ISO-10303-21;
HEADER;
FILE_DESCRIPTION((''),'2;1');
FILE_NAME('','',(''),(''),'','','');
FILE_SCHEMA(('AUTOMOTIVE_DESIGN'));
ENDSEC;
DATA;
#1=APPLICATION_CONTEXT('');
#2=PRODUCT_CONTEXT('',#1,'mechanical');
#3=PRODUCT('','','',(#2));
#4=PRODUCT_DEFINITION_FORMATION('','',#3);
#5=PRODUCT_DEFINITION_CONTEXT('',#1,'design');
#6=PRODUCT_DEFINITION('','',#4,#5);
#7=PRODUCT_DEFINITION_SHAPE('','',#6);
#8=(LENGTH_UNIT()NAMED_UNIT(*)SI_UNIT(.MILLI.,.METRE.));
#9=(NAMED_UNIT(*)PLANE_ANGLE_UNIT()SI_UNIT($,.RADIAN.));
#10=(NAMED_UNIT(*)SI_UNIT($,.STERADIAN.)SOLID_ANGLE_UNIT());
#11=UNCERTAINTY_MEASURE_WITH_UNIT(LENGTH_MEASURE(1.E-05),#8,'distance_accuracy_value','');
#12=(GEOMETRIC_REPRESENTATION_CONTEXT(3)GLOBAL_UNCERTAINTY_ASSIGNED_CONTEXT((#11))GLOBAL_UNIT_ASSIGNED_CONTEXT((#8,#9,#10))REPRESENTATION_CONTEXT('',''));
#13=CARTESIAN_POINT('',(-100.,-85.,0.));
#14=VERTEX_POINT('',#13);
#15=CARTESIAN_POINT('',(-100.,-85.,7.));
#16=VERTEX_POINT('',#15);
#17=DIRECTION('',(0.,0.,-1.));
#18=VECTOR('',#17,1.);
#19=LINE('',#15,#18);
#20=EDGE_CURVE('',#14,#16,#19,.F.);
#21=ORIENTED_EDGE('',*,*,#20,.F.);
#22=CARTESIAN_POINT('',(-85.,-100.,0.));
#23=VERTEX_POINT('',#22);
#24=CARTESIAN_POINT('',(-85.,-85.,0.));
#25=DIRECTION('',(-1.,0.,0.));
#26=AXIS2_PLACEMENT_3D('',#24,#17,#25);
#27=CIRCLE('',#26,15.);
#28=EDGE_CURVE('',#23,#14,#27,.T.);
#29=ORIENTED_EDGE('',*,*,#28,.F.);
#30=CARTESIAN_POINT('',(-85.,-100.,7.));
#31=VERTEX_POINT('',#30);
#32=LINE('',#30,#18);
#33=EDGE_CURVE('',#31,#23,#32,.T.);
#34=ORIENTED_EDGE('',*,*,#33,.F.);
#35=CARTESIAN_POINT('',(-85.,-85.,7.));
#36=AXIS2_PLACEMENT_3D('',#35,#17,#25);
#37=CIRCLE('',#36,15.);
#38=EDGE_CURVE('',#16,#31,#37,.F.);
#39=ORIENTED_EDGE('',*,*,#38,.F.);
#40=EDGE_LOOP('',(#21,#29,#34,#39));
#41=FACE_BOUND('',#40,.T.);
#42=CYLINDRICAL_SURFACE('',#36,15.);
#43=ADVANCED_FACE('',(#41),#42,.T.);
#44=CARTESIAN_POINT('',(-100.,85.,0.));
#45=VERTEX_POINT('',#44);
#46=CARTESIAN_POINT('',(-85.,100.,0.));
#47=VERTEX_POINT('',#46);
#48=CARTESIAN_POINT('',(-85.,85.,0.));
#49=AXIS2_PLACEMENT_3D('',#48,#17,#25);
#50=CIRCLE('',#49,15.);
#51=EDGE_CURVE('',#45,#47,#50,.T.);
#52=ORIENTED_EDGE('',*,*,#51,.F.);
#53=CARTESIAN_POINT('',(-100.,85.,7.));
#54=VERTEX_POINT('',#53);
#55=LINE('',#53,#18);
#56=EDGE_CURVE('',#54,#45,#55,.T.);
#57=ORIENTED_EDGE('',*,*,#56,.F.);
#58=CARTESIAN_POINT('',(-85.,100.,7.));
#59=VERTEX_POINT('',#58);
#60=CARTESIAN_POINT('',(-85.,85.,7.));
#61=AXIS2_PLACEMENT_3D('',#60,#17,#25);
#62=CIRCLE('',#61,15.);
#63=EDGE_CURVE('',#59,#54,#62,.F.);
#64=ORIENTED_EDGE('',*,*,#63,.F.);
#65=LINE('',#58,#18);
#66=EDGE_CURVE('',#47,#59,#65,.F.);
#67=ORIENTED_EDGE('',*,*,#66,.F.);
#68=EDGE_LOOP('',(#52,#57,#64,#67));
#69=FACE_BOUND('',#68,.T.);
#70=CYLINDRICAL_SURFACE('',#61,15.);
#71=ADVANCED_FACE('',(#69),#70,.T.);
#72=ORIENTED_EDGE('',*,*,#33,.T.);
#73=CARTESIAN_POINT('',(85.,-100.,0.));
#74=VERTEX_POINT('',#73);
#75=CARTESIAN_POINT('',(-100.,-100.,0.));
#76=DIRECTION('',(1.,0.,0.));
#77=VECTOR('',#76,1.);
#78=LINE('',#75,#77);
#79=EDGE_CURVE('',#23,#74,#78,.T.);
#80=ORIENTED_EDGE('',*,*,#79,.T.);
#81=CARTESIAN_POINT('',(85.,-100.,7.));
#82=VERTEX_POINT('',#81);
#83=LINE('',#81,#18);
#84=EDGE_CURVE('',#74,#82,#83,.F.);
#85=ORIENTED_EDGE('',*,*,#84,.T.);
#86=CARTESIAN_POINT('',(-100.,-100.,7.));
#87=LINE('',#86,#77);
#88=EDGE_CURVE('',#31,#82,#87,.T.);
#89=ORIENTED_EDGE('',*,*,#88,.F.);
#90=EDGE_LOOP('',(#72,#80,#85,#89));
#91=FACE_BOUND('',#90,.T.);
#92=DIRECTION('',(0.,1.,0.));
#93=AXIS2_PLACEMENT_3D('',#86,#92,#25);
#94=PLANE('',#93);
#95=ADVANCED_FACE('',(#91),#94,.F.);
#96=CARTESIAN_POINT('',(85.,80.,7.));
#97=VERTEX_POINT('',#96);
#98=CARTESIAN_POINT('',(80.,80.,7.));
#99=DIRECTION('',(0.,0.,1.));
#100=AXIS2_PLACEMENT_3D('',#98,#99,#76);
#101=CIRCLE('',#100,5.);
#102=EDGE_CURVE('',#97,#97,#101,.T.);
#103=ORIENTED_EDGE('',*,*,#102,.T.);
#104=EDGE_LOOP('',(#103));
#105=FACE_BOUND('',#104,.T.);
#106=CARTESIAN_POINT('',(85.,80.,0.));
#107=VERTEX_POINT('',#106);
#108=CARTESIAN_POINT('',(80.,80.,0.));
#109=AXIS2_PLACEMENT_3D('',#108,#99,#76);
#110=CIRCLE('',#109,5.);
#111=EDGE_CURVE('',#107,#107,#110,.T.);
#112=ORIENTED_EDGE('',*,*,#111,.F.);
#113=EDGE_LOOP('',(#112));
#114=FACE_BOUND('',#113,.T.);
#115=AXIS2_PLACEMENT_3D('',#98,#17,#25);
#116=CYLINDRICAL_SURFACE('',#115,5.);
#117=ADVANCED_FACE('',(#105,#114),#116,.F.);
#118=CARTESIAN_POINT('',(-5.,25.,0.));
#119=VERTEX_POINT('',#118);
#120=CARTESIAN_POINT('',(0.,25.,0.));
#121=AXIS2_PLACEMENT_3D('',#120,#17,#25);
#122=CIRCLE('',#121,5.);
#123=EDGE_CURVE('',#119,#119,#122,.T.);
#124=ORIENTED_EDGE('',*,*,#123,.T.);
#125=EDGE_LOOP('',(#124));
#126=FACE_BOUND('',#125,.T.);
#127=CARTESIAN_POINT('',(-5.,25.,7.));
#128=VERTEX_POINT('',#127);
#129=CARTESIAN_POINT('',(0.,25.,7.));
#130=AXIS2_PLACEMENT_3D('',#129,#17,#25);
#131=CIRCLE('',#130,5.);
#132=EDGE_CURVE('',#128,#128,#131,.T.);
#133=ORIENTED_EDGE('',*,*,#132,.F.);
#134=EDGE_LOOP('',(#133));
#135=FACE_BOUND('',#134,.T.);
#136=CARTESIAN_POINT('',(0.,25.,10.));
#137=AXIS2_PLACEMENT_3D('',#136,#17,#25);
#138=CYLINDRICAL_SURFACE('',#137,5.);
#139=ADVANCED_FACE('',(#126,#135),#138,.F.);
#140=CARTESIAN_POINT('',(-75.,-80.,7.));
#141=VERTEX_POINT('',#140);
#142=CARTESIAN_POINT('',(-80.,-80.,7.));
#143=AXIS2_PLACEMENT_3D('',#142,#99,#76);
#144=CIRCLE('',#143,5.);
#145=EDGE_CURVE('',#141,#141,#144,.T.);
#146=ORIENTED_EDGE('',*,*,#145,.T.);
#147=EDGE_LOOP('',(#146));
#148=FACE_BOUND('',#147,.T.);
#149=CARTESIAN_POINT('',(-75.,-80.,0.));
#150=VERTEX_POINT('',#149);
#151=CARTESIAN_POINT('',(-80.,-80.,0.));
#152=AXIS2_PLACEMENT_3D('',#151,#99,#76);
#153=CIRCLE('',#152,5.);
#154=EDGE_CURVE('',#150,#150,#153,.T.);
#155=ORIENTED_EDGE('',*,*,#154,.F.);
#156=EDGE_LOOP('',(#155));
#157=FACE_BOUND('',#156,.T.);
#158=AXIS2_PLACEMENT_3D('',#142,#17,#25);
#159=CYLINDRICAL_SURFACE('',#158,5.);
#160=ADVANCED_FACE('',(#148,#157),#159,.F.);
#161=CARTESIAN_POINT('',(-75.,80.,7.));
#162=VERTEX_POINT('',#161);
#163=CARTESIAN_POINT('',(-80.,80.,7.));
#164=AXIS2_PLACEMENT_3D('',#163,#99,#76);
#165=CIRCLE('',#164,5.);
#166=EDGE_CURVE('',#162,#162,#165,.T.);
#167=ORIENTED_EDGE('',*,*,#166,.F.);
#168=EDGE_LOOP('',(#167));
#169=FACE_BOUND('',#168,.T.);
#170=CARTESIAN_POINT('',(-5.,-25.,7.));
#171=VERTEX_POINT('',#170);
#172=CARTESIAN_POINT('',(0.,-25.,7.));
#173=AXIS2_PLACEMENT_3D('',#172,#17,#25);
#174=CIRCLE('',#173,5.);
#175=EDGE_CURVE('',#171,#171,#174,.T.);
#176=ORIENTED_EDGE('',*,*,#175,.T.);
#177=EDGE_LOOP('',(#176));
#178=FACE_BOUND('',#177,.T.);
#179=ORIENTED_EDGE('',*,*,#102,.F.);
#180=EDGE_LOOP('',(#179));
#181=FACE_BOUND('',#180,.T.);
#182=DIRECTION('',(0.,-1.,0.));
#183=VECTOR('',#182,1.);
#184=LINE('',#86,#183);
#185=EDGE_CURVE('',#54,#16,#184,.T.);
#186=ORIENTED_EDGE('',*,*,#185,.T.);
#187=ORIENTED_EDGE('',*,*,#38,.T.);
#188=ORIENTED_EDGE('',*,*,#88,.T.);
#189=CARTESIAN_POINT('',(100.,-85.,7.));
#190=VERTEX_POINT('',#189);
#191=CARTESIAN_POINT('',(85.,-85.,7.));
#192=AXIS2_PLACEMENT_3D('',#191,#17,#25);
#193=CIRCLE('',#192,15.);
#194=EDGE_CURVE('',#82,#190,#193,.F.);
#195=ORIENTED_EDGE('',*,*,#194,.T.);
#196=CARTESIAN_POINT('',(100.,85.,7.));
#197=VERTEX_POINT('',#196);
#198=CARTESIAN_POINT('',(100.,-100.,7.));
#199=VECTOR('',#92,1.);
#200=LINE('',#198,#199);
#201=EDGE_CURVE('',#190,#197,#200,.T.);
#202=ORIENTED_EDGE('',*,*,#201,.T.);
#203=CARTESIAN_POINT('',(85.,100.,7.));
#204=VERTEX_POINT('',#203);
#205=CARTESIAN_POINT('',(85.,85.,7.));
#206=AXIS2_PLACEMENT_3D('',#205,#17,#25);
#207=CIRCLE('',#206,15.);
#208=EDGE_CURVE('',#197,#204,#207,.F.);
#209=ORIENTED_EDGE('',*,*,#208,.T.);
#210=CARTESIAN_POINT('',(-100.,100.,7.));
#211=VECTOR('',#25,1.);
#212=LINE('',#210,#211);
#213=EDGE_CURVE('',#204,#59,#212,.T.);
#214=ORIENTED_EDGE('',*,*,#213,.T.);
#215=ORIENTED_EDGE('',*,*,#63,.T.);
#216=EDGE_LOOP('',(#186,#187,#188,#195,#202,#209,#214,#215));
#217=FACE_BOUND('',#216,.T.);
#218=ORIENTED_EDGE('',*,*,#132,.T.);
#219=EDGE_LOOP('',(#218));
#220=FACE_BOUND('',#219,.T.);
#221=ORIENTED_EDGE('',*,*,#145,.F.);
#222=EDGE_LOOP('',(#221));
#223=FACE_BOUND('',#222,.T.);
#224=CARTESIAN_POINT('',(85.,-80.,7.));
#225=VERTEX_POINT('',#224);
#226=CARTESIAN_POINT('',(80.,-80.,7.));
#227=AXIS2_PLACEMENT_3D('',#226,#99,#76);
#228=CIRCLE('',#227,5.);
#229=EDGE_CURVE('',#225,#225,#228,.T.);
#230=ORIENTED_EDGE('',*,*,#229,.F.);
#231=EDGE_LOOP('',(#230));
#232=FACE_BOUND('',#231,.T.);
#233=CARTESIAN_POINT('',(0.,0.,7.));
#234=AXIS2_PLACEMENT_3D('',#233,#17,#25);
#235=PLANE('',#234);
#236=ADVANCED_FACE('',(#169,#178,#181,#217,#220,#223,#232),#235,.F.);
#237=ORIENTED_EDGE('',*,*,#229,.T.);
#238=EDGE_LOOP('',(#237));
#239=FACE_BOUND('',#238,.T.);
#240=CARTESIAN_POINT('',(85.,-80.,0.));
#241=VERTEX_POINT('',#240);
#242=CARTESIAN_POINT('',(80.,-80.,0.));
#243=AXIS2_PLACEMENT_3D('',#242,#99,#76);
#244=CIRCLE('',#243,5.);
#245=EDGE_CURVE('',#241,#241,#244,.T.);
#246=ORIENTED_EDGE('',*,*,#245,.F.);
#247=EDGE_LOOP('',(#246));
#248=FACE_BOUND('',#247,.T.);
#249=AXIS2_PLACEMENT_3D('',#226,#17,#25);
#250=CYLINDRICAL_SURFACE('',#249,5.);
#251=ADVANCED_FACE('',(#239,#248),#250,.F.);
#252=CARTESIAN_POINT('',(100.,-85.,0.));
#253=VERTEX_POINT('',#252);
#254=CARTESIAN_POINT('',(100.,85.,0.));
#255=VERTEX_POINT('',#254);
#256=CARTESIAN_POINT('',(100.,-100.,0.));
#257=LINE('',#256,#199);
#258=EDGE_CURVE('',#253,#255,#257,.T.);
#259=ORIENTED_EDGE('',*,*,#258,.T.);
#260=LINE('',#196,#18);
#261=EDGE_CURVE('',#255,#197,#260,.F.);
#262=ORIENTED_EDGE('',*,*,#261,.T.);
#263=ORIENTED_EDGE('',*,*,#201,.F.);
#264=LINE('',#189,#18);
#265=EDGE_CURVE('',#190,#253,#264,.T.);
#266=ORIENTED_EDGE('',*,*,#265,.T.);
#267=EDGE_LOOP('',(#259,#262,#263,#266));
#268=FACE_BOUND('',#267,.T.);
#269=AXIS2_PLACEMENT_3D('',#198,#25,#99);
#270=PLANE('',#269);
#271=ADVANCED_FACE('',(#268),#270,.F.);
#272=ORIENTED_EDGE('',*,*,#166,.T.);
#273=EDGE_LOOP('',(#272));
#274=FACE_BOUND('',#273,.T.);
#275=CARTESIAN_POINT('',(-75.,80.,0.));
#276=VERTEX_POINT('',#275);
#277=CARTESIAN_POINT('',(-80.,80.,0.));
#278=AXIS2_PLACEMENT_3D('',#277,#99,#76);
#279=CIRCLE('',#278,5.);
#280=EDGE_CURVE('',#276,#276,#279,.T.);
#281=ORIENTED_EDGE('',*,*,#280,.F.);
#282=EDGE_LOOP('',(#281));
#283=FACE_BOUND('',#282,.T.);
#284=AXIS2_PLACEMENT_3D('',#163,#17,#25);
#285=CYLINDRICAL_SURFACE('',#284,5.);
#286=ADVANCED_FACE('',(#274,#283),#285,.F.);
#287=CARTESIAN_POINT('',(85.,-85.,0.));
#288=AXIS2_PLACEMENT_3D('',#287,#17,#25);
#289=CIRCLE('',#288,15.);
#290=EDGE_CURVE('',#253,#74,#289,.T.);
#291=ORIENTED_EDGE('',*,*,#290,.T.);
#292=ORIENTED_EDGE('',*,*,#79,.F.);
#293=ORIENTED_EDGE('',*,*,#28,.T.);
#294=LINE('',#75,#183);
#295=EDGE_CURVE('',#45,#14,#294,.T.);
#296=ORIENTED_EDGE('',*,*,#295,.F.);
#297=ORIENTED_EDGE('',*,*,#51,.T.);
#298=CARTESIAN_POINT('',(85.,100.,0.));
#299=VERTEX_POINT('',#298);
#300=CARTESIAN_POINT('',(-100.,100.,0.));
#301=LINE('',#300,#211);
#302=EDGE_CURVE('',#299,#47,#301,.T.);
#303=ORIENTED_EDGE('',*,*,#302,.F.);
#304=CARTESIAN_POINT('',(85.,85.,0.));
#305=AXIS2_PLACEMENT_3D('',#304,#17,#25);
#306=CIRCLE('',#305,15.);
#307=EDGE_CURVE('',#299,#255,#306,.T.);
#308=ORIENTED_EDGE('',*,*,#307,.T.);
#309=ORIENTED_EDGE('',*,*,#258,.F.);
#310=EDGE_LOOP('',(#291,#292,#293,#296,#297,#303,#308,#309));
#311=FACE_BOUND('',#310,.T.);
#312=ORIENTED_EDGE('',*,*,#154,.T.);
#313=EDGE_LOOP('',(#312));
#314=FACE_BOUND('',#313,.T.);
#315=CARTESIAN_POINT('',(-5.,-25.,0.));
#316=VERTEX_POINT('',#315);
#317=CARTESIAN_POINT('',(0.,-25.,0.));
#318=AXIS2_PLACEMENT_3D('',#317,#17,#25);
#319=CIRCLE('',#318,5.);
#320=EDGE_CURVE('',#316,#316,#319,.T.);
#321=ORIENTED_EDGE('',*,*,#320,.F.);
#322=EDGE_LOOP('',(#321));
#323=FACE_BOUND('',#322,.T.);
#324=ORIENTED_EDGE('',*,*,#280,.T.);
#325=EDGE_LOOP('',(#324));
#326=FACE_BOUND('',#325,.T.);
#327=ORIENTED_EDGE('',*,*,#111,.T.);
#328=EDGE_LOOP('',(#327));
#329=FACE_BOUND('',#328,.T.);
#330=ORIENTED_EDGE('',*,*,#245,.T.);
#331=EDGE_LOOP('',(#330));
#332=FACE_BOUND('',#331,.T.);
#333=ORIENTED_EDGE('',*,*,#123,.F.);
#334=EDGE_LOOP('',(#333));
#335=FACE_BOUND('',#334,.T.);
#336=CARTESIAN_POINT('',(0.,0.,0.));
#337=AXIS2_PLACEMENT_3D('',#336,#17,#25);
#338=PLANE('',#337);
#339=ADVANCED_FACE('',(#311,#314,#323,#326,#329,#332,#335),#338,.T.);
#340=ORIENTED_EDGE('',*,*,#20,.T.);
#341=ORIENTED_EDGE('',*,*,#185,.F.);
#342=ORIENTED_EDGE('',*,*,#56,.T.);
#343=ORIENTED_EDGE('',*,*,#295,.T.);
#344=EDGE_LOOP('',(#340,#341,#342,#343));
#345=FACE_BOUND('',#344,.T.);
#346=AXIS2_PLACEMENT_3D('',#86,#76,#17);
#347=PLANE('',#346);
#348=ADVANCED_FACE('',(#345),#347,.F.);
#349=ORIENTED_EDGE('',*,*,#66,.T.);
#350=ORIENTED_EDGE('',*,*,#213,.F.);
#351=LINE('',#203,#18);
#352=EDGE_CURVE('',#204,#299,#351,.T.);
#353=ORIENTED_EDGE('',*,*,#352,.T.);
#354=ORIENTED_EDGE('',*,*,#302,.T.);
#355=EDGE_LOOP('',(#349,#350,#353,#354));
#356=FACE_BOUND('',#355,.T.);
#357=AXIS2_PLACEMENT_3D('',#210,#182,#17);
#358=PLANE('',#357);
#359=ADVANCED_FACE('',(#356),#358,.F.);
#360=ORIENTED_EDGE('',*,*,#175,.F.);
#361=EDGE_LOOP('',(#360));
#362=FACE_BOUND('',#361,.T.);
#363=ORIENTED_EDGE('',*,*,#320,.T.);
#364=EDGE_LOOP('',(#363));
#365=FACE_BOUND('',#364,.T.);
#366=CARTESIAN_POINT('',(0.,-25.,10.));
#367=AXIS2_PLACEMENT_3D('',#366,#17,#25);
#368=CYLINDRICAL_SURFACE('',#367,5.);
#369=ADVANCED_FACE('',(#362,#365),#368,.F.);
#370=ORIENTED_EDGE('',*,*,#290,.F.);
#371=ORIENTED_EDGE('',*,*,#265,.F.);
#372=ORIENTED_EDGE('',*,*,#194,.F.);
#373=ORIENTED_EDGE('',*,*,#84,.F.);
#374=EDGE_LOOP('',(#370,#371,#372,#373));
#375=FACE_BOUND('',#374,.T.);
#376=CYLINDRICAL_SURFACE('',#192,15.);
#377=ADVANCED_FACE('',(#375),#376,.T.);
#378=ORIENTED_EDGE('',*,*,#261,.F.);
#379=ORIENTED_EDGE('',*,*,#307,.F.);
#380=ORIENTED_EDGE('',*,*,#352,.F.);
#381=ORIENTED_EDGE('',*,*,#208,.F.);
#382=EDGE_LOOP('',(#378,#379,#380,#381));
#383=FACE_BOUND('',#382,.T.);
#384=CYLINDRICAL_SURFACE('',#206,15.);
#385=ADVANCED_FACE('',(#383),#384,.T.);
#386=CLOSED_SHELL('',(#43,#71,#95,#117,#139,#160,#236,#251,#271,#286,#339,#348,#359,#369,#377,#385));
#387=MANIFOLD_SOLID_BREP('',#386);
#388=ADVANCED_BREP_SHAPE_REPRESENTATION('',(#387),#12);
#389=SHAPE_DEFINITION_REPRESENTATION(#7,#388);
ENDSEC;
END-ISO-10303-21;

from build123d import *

# Parameters (mm, degrees)
ESQUISSE3_W             = 200
ESQUISSE3_H             = 200
ESQUISSE3_R             = 5
BOSS_EXTRU_2_DEPTH      = 7
CONG_1_R                = 15
ESQUISSE4_R             = 5
ENL_V_MAT_EXTRU_1_DEPTH = 10


with BuildPart() as part:
    # Esquisse3 → Boss.-Extru.2 (new body)
    with BuildSketch(Plane.XY):
        Rectangle(ESQUISSE3_W, ESQUISSE3_H)
        with Locations((80, 80)):
            Circle(ESQUISSE3_R, mode=Mode.SUBTRACT)
        with Locations((80, -80)):
            Circle(ESQUISSE3_R, mode=Mode.SUBTRACT)
        with Locations((-80, -80)):
            Circle(ESQUISSE3_R, mode=Mode.SUBTRACT)
        with Locations((-80, 80)):
            Circle(ESQUISSE3_R, mode=Mode.SUBTRACT)
    extrude(amount=BOSS_EXTRU_2_DEPTH)

    # Congé1
    cong_1_edges = [part.edges().sort_by_distance(p)[0] for p in [
        (-100, 100, 3.5),
        (100, 100, 3.5),
        (100, -100, 3.5),
        (-100, -100, 3.5),
    ]]
    fillet(cong_1_edges, radius=CONG_1_R)

    # Esquisse4 → Enlèv. mat.-Extru.1 (cut)
    with BuildSketch(Plane(origin=(0, 0, 0), x_dir=(-1, 0, 0), z_dir=(0, 0, -1))):
        with Locations((0, -25)):
            Circle(ESQUISSE4_R)
        with Locations((0, 25)):
            Circle(ESQUISSE4_R)
    extrude(amount=-ENL_V_MAT_EXTRU_1_DEPTH, mode=Mode.SUBTRACT)


solid = part.part
